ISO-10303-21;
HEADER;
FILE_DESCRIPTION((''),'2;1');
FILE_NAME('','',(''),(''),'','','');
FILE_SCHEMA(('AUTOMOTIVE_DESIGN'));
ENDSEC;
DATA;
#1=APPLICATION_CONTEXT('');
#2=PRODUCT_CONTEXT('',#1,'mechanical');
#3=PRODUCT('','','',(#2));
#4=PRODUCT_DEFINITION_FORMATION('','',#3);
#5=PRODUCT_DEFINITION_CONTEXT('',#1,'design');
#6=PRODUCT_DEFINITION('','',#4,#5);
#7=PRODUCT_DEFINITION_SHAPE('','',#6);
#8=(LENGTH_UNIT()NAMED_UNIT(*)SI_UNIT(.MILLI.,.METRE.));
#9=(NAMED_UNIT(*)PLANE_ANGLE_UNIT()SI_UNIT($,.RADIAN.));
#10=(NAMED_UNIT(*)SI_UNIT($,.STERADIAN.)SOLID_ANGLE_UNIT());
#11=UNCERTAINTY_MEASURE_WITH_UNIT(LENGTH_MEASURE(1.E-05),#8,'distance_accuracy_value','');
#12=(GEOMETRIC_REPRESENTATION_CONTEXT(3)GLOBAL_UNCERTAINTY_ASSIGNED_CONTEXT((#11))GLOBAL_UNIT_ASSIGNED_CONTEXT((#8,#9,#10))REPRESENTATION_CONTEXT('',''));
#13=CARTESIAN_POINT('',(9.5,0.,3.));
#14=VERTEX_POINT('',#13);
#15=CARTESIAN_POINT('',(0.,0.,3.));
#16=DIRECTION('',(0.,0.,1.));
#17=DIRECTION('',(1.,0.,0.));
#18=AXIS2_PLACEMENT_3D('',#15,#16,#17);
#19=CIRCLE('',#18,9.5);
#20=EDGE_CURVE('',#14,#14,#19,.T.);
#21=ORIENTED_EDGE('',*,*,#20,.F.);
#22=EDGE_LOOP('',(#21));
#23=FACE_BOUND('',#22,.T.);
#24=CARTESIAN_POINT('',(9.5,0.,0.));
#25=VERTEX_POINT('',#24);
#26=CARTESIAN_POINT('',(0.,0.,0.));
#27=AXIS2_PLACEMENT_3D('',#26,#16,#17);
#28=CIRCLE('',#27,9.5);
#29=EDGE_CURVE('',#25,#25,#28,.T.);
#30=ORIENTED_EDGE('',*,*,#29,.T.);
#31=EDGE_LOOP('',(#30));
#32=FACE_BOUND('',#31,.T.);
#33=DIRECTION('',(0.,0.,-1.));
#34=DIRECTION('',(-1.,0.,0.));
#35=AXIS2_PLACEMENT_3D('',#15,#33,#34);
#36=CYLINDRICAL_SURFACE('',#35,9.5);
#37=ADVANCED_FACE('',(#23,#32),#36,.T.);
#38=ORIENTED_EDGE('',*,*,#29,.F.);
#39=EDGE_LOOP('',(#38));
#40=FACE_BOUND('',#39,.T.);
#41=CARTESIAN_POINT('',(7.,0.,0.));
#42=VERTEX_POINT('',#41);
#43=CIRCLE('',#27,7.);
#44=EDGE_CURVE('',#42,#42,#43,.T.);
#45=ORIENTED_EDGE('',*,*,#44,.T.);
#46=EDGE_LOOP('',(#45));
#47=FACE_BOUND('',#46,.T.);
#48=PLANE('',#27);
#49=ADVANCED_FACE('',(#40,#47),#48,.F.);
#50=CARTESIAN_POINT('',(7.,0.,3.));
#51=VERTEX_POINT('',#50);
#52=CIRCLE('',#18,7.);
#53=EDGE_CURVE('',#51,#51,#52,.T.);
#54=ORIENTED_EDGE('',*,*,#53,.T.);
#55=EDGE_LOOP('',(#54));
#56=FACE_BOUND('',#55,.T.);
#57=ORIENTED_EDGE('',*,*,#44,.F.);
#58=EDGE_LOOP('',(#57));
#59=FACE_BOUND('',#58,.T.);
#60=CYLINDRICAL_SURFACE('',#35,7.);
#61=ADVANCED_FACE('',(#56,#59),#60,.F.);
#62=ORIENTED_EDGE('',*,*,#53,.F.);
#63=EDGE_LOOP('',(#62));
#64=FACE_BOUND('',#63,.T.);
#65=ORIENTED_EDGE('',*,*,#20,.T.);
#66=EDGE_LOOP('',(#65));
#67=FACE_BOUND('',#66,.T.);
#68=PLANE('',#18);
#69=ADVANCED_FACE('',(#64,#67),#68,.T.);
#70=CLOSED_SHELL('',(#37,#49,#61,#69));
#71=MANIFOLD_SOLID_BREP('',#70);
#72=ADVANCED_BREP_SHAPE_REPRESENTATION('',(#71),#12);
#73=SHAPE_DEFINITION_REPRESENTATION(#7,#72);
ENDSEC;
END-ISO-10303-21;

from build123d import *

# Parameters (mm, degrees)
SCHIZZO1_R                   = 9.5
SCHIZZO1_R_2                 = 7
ESTRUSIONE_ESTRUSIONE1_DEPTH = 3


with BuildPart() as part:
    # Schizzo1 → Estrusione-Estrusione1 (new body)
    with BuildSketch(Plane.XY):
        Circle(SCHIZZO1_R)
        Circle(SCHIZZO1_R_2, mode=Mode.SUBTRACT)
    extrude(amount=ESTRUSIONE_ESTRUSIONE1_DEPTH)


solid = part.part
